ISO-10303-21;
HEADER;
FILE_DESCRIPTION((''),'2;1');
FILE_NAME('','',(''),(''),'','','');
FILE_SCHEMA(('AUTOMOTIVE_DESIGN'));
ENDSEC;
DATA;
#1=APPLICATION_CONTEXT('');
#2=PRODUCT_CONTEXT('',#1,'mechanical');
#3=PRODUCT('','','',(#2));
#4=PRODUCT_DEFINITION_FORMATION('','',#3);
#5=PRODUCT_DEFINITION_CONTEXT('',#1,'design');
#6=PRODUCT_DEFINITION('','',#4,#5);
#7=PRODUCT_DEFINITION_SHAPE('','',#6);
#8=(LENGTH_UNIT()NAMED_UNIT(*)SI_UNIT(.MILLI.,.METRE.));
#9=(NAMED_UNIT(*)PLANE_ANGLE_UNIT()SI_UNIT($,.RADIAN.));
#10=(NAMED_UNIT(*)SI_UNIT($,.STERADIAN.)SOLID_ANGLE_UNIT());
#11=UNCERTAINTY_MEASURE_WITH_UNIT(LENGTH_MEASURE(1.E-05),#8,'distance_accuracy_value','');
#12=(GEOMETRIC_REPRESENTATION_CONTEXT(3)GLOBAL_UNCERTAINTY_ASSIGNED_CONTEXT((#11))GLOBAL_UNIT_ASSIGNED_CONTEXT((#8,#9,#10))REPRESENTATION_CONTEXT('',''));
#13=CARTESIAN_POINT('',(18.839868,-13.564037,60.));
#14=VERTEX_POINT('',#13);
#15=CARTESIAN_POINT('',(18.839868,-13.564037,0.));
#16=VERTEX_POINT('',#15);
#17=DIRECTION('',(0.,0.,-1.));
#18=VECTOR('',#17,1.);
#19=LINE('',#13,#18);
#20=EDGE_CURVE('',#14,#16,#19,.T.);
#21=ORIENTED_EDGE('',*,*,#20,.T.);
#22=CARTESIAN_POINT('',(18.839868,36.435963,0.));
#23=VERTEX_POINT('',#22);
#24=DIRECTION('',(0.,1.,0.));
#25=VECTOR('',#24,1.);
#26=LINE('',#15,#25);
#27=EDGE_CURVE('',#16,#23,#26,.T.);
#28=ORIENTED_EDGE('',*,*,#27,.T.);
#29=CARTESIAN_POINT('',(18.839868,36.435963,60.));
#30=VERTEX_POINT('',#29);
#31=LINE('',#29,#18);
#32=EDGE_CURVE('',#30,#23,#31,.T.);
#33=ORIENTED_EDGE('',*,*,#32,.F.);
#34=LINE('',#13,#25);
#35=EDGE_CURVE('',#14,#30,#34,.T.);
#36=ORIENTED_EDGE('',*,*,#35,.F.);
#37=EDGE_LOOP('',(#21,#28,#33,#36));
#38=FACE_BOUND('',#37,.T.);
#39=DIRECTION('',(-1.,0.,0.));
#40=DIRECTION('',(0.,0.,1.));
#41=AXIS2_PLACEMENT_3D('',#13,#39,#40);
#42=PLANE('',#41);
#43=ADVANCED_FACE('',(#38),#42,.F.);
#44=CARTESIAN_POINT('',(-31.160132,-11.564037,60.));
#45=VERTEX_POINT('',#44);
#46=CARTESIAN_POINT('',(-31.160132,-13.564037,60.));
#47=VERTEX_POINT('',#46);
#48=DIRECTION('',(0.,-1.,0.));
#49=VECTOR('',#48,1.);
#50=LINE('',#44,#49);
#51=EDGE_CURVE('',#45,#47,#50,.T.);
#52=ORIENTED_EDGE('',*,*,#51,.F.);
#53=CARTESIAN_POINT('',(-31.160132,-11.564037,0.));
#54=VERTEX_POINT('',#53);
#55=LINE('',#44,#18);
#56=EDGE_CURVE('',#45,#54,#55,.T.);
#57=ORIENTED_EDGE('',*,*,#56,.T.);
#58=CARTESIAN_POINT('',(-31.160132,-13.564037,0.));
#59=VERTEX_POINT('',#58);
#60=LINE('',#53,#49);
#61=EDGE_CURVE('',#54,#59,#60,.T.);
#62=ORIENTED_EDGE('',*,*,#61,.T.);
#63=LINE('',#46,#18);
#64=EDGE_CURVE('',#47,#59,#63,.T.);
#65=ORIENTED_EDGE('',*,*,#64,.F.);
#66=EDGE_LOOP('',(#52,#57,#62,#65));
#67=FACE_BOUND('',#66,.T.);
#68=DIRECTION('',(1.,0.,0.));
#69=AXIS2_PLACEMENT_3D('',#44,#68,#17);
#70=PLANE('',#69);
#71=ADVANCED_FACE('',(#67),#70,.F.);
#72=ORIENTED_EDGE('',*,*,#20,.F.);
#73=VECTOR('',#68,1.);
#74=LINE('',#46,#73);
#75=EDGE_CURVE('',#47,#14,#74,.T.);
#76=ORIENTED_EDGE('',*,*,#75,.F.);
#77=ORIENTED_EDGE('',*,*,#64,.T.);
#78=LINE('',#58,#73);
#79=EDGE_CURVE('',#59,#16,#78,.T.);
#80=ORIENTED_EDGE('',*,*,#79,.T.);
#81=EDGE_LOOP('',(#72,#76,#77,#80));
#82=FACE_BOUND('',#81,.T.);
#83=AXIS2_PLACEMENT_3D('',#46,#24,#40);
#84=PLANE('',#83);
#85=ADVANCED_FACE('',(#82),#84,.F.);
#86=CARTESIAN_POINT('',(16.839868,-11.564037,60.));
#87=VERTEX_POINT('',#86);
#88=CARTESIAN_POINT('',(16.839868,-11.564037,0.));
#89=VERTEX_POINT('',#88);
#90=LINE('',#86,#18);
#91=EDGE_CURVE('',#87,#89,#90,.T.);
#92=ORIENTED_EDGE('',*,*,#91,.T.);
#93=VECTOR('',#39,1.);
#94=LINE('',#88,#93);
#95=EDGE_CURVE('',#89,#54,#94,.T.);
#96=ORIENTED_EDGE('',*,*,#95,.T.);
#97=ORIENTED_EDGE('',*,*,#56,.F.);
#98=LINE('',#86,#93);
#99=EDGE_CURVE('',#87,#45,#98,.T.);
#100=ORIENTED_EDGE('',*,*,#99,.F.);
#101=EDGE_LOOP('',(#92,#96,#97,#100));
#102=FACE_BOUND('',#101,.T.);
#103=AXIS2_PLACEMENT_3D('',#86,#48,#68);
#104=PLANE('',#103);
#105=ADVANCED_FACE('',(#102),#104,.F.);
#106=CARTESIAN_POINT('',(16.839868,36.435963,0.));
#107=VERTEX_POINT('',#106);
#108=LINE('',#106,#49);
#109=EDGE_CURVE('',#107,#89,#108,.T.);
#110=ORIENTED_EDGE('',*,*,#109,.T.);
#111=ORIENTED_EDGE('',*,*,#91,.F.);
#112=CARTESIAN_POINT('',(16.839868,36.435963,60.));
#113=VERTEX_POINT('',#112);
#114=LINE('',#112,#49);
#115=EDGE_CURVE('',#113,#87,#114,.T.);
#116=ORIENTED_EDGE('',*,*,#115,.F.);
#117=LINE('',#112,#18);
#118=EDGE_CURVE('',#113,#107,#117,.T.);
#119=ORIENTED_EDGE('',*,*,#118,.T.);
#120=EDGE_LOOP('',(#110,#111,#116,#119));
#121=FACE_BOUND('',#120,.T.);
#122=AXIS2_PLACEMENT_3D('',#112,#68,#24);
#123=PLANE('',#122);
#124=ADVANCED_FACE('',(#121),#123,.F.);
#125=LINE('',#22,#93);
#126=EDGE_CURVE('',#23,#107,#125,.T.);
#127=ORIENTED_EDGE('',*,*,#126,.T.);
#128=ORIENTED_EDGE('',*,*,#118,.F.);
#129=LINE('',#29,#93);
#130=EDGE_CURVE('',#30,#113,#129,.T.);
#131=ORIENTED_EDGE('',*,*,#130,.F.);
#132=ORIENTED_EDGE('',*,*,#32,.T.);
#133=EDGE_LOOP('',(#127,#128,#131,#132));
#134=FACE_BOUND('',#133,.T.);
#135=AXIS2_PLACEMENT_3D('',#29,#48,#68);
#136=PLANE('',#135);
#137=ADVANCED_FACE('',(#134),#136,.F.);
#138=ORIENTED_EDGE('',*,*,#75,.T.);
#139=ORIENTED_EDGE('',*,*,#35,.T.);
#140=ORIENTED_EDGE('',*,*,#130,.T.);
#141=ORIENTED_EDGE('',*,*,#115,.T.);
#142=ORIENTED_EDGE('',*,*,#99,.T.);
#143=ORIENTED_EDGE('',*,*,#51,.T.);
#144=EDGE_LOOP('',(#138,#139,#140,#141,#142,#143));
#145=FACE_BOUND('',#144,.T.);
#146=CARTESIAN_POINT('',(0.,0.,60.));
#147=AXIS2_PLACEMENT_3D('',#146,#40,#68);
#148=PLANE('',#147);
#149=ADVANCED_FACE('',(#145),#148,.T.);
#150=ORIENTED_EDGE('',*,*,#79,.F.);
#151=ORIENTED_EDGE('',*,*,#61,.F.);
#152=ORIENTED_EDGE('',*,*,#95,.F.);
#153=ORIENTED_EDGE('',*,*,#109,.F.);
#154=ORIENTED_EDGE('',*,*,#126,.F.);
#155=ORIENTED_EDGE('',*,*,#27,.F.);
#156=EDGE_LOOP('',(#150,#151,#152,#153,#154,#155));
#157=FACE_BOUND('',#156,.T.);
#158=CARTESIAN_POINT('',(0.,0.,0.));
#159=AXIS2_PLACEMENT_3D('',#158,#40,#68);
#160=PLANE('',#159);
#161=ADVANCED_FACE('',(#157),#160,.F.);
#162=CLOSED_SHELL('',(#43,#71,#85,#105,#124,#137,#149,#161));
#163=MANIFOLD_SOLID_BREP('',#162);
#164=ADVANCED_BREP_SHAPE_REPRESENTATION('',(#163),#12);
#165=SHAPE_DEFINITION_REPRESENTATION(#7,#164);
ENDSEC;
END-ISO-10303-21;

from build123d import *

# Parameters (mm, degrees)
BOSS_EXTRUDE1_DEPTH = 60


with BuildPart() as part:
    # Sketch1 → Boss-Extrude1 (new body)
    with BuildSketch(Plane.XY):
        Polygon((-31.160131748, -13.564037015), (18.839868252, -13.564037015), (18.839868252, 36.435962985), (16.839868252, 36.435962985), (16.839868252, -11.564037015), (-31.160131748, -11.564037015), align=None)
    extrude(amount=BOSS_EXTRUDE1_DEPTH)


solid = part.part
